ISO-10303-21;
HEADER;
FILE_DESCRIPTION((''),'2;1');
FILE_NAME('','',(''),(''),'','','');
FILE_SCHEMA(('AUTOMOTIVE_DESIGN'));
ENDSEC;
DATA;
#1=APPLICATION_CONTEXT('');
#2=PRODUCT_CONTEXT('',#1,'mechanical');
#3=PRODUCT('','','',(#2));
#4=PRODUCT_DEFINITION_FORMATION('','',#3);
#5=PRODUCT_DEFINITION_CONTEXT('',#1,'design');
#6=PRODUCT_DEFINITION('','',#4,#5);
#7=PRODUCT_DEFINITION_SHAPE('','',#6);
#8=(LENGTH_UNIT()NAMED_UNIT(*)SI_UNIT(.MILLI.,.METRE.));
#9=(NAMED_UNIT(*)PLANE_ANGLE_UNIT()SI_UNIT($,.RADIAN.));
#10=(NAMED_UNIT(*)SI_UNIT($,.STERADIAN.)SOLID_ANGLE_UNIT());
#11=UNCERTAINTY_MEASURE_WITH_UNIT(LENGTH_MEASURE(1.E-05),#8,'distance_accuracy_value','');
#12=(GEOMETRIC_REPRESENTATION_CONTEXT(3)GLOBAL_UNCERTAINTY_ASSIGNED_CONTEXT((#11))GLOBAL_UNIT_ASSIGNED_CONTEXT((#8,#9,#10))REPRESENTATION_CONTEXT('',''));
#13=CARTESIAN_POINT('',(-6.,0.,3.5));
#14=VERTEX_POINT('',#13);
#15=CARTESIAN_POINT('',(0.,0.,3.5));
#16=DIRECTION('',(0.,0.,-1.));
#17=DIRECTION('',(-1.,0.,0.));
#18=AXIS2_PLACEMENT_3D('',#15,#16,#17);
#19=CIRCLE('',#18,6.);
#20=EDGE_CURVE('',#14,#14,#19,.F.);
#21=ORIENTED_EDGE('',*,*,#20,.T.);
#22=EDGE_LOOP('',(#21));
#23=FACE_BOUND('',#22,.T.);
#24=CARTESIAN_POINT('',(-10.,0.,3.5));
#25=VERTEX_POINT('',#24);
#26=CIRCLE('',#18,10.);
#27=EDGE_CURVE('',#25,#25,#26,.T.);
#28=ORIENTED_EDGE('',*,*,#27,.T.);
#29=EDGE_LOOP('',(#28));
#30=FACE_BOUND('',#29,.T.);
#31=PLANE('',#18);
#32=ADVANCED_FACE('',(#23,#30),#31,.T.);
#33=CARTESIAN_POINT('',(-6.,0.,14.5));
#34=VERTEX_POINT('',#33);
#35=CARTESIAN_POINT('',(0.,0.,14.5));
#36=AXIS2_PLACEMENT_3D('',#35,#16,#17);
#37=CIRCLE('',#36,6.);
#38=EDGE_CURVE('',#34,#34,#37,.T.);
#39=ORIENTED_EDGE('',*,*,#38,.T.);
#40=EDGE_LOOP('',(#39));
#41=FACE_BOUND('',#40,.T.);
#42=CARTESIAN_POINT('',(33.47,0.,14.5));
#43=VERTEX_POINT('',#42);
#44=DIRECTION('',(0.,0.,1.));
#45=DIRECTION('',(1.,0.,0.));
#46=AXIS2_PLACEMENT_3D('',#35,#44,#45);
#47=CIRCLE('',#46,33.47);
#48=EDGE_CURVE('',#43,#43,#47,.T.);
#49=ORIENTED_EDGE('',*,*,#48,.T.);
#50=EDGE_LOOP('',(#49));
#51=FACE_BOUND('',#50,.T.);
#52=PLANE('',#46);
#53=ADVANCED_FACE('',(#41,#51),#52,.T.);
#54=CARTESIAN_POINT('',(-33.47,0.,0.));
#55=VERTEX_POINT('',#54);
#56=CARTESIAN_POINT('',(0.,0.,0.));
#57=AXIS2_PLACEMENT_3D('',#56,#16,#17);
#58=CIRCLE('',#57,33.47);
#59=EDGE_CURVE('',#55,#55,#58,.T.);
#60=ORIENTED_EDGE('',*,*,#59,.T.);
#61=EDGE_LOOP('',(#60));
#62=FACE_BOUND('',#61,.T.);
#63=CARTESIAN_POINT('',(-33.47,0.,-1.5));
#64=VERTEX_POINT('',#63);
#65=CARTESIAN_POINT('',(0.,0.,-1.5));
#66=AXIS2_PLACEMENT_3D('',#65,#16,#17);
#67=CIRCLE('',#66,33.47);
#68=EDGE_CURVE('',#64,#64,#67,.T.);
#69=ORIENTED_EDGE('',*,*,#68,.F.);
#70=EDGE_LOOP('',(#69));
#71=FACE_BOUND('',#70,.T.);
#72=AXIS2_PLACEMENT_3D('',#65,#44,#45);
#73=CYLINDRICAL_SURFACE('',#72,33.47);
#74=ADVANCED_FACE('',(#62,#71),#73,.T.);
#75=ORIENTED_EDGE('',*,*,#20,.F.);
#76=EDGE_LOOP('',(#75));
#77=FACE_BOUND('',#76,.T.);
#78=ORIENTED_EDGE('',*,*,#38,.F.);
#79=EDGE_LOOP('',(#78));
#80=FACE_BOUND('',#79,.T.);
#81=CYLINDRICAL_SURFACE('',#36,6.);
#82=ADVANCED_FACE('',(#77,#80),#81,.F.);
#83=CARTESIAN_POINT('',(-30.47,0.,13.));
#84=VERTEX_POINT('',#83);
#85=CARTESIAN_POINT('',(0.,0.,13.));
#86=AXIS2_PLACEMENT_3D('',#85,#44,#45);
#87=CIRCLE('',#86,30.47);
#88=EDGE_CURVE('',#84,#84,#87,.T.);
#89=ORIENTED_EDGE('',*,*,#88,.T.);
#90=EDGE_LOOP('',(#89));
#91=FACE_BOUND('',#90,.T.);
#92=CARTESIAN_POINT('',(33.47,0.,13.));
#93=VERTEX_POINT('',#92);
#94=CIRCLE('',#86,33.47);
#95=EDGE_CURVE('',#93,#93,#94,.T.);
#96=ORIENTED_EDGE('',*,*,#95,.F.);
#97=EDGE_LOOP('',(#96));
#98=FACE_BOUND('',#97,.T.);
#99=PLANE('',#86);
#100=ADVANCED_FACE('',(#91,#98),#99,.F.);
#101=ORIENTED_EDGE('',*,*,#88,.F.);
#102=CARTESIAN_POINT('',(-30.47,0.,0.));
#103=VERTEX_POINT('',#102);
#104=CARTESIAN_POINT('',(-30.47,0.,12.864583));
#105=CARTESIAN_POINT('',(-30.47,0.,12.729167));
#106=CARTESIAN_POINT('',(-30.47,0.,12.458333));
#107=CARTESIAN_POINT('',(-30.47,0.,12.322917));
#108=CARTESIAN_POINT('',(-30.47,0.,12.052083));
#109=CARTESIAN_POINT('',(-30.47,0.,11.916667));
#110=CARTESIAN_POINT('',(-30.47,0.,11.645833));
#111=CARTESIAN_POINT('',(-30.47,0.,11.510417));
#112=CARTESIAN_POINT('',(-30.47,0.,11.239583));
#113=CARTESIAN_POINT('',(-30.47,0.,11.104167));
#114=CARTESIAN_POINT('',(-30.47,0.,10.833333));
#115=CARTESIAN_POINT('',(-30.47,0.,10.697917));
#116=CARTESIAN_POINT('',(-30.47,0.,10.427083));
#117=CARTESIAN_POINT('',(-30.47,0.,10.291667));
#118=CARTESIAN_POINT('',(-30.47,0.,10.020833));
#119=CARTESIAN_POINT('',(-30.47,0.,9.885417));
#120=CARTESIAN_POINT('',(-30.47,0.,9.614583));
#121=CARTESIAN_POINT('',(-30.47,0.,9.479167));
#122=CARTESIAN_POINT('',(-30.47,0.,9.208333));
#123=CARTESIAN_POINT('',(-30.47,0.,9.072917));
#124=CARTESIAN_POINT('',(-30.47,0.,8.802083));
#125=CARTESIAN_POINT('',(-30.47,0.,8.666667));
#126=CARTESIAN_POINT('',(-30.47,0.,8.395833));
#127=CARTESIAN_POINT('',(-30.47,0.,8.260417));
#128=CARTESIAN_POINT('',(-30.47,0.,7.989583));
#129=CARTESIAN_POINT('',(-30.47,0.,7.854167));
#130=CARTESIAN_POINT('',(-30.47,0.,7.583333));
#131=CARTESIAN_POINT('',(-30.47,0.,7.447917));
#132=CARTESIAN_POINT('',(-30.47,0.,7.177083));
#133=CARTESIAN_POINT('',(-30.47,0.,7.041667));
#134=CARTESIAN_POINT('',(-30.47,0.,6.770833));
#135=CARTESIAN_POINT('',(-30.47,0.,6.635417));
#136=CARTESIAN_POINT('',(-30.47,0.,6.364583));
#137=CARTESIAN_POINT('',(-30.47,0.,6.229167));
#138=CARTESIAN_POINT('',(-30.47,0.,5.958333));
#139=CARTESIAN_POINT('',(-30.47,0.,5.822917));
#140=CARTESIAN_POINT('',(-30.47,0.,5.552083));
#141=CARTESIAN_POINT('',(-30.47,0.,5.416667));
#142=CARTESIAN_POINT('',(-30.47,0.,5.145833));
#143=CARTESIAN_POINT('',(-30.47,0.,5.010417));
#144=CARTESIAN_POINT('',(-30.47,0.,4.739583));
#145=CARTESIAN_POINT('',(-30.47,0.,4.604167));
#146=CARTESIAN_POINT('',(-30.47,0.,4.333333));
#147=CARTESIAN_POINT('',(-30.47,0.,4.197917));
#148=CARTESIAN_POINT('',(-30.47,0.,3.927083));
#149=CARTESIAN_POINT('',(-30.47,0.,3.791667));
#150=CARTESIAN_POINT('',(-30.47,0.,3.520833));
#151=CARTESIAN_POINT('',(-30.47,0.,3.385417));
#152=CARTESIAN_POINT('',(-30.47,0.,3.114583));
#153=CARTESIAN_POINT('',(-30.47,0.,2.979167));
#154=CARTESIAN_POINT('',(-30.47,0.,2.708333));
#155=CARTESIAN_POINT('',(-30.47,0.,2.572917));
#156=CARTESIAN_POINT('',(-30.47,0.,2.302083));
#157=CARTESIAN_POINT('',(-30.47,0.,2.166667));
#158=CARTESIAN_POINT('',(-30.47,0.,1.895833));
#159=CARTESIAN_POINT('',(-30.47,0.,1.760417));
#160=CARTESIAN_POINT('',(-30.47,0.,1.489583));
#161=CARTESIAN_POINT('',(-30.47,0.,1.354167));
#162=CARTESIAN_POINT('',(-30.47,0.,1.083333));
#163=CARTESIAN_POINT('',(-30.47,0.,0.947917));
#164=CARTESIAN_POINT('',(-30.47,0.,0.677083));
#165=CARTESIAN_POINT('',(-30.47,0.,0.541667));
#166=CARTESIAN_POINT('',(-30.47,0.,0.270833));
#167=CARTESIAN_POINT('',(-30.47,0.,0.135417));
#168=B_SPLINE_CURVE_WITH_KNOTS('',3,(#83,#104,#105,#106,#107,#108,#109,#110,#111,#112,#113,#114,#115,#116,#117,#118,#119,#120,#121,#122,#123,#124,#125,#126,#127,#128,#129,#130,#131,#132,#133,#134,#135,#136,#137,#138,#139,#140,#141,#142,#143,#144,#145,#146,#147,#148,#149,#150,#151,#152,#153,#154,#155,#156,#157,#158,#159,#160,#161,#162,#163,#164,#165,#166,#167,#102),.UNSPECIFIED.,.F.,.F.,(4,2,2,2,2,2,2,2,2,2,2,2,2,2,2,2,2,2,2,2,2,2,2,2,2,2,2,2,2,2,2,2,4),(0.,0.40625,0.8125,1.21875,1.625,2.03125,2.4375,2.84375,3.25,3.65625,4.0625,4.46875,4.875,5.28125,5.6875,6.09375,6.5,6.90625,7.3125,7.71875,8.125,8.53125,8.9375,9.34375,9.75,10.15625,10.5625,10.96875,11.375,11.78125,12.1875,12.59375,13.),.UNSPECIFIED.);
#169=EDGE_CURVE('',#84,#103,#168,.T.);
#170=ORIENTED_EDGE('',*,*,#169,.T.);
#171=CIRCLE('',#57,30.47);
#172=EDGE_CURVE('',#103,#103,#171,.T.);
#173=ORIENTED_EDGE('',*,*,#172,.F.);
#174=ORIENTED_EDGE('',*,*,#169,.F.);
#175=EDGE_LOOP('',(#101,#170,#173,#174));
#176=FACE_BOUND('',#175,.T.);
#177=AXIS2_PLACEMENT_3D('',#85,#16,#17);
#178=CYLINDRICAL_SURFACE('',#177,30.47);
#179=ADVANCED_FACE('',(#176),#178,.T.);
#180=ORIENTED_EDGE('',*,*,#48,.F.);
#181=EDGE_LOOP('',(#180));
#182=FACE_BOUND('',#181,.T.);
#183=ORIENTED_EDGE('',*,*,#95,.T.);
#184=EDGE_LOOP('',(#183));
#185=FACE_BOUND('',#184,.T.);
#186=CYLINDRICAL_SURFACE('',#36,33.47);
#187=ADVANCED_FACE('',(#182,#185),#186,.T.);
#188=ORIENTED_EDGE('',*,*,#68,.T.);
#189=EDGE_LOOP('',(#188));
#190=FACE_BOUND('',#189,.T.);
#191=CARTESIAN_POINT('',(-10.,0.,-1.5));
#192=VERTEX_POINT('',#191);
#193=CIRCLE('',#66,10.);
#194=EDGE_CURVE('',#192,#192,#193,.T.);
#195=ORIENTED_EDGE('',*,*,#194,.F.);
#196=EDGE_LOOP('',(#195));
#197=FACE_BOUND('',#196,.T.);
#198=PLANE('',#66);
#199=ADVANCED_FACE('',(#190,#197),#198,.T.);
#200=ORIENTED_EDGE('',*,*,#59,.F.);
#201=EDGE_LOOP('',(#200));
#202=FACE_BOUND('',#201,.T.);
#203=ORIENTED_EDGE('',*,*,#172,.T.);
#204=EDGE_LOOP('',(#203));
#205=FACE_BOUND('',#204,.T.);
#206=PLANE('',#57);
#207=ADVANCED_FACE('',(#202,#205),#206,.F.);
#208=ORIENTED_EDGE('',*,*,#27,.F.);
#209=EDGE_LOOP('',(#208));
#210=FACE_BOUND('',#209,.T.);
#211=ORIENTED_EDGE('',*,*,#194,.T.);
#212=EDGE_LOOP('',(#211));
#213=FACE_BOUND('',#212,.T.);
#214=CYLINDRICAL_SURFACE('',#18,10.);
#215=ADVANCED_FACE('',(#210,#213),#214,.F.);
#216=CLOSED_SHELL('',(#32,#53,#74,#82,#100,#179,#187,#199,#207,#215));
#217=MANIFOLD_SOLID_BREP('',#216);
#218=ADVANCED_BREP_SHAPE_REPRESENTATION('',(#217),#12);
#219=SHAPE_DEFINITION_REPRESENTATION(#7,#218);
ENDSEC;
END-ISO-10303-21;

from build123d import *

# Parameters (mm, degrees)
SKETCH_1_R          = 30.47
EXTRUDE_1_DEPTH     = 13
SKETCH_2_R          = 33.47
EXTRUDE_2_DEPTH     = 1.5
EXTRUDE_START       = 1.5
SKETCH_3_R          = 33.47
EXTRUDE_3_DEPTH     = 1.5
SKETCH_4_R          = 6
CUT_EXTRUDE_1_DEPTH = 50.964805614
SKETCH_5_R          = 10
CUT_EXTRUDE_2_DEPTH = 5


with BuildPart() as part:
    # 草图1 → 凸台-拉伸1 (new body)
    with BuildSketch(Plane.XY):
        with Locations(Location((0, 0, 0), (0, 0, 180))):
            Circle(SKETCH_1_R)
    extrude(amount=EXTRUDE_1_DEPTH)

    # 草图2 → 凸台-拉伸2 (add)
    with BuildSketch(Plane.XY.offset(13)):
        Circle(SKETCH_2_R)
    extrude(amount=EXTRUDE_2_DEPTH)

    # 草图3 → 凸台-拉伸3 (add)
    with BuildSketch(Plane(origin=(0, 0, 0), x_dir=(-1, 0, 0), z_dir=(0, 0, -1)).offset(EXTRUDE_START)):
        with Locations(Location((0, 0, 0), (0, 0, 180))):
            Circle(SKETCH_3_R)
    extrude(amount=-EXTRUDE_3_DEPTH)

    # 草图4 → 切除-拉伸1 (cut, through all)
    with BuildSketch(Plane(origin=(0, 0, -1.5), x_dir=(-1, 0, 0), z_dir=(0, 0, -1))):
        Circle(SKETCH_4_R)
    extrude(amount=-CUT_EXTRUDE_1_DEPTH, mode=Mode.SUBTRACT)

    # 草图5 → 切除-拉伸2 (cut)
    with BuildSketch(Plane(origin=(0, 0, -1.5), x_dir=(-1, 0, 0), z_dir=(0, 0, -1))):
        Circle(SKETCH_5_R)
    extrude(amount=-CUT_EXTRUDE_2_DEPTH, mode=Mode.SUBTRACT)


solid = part.part
